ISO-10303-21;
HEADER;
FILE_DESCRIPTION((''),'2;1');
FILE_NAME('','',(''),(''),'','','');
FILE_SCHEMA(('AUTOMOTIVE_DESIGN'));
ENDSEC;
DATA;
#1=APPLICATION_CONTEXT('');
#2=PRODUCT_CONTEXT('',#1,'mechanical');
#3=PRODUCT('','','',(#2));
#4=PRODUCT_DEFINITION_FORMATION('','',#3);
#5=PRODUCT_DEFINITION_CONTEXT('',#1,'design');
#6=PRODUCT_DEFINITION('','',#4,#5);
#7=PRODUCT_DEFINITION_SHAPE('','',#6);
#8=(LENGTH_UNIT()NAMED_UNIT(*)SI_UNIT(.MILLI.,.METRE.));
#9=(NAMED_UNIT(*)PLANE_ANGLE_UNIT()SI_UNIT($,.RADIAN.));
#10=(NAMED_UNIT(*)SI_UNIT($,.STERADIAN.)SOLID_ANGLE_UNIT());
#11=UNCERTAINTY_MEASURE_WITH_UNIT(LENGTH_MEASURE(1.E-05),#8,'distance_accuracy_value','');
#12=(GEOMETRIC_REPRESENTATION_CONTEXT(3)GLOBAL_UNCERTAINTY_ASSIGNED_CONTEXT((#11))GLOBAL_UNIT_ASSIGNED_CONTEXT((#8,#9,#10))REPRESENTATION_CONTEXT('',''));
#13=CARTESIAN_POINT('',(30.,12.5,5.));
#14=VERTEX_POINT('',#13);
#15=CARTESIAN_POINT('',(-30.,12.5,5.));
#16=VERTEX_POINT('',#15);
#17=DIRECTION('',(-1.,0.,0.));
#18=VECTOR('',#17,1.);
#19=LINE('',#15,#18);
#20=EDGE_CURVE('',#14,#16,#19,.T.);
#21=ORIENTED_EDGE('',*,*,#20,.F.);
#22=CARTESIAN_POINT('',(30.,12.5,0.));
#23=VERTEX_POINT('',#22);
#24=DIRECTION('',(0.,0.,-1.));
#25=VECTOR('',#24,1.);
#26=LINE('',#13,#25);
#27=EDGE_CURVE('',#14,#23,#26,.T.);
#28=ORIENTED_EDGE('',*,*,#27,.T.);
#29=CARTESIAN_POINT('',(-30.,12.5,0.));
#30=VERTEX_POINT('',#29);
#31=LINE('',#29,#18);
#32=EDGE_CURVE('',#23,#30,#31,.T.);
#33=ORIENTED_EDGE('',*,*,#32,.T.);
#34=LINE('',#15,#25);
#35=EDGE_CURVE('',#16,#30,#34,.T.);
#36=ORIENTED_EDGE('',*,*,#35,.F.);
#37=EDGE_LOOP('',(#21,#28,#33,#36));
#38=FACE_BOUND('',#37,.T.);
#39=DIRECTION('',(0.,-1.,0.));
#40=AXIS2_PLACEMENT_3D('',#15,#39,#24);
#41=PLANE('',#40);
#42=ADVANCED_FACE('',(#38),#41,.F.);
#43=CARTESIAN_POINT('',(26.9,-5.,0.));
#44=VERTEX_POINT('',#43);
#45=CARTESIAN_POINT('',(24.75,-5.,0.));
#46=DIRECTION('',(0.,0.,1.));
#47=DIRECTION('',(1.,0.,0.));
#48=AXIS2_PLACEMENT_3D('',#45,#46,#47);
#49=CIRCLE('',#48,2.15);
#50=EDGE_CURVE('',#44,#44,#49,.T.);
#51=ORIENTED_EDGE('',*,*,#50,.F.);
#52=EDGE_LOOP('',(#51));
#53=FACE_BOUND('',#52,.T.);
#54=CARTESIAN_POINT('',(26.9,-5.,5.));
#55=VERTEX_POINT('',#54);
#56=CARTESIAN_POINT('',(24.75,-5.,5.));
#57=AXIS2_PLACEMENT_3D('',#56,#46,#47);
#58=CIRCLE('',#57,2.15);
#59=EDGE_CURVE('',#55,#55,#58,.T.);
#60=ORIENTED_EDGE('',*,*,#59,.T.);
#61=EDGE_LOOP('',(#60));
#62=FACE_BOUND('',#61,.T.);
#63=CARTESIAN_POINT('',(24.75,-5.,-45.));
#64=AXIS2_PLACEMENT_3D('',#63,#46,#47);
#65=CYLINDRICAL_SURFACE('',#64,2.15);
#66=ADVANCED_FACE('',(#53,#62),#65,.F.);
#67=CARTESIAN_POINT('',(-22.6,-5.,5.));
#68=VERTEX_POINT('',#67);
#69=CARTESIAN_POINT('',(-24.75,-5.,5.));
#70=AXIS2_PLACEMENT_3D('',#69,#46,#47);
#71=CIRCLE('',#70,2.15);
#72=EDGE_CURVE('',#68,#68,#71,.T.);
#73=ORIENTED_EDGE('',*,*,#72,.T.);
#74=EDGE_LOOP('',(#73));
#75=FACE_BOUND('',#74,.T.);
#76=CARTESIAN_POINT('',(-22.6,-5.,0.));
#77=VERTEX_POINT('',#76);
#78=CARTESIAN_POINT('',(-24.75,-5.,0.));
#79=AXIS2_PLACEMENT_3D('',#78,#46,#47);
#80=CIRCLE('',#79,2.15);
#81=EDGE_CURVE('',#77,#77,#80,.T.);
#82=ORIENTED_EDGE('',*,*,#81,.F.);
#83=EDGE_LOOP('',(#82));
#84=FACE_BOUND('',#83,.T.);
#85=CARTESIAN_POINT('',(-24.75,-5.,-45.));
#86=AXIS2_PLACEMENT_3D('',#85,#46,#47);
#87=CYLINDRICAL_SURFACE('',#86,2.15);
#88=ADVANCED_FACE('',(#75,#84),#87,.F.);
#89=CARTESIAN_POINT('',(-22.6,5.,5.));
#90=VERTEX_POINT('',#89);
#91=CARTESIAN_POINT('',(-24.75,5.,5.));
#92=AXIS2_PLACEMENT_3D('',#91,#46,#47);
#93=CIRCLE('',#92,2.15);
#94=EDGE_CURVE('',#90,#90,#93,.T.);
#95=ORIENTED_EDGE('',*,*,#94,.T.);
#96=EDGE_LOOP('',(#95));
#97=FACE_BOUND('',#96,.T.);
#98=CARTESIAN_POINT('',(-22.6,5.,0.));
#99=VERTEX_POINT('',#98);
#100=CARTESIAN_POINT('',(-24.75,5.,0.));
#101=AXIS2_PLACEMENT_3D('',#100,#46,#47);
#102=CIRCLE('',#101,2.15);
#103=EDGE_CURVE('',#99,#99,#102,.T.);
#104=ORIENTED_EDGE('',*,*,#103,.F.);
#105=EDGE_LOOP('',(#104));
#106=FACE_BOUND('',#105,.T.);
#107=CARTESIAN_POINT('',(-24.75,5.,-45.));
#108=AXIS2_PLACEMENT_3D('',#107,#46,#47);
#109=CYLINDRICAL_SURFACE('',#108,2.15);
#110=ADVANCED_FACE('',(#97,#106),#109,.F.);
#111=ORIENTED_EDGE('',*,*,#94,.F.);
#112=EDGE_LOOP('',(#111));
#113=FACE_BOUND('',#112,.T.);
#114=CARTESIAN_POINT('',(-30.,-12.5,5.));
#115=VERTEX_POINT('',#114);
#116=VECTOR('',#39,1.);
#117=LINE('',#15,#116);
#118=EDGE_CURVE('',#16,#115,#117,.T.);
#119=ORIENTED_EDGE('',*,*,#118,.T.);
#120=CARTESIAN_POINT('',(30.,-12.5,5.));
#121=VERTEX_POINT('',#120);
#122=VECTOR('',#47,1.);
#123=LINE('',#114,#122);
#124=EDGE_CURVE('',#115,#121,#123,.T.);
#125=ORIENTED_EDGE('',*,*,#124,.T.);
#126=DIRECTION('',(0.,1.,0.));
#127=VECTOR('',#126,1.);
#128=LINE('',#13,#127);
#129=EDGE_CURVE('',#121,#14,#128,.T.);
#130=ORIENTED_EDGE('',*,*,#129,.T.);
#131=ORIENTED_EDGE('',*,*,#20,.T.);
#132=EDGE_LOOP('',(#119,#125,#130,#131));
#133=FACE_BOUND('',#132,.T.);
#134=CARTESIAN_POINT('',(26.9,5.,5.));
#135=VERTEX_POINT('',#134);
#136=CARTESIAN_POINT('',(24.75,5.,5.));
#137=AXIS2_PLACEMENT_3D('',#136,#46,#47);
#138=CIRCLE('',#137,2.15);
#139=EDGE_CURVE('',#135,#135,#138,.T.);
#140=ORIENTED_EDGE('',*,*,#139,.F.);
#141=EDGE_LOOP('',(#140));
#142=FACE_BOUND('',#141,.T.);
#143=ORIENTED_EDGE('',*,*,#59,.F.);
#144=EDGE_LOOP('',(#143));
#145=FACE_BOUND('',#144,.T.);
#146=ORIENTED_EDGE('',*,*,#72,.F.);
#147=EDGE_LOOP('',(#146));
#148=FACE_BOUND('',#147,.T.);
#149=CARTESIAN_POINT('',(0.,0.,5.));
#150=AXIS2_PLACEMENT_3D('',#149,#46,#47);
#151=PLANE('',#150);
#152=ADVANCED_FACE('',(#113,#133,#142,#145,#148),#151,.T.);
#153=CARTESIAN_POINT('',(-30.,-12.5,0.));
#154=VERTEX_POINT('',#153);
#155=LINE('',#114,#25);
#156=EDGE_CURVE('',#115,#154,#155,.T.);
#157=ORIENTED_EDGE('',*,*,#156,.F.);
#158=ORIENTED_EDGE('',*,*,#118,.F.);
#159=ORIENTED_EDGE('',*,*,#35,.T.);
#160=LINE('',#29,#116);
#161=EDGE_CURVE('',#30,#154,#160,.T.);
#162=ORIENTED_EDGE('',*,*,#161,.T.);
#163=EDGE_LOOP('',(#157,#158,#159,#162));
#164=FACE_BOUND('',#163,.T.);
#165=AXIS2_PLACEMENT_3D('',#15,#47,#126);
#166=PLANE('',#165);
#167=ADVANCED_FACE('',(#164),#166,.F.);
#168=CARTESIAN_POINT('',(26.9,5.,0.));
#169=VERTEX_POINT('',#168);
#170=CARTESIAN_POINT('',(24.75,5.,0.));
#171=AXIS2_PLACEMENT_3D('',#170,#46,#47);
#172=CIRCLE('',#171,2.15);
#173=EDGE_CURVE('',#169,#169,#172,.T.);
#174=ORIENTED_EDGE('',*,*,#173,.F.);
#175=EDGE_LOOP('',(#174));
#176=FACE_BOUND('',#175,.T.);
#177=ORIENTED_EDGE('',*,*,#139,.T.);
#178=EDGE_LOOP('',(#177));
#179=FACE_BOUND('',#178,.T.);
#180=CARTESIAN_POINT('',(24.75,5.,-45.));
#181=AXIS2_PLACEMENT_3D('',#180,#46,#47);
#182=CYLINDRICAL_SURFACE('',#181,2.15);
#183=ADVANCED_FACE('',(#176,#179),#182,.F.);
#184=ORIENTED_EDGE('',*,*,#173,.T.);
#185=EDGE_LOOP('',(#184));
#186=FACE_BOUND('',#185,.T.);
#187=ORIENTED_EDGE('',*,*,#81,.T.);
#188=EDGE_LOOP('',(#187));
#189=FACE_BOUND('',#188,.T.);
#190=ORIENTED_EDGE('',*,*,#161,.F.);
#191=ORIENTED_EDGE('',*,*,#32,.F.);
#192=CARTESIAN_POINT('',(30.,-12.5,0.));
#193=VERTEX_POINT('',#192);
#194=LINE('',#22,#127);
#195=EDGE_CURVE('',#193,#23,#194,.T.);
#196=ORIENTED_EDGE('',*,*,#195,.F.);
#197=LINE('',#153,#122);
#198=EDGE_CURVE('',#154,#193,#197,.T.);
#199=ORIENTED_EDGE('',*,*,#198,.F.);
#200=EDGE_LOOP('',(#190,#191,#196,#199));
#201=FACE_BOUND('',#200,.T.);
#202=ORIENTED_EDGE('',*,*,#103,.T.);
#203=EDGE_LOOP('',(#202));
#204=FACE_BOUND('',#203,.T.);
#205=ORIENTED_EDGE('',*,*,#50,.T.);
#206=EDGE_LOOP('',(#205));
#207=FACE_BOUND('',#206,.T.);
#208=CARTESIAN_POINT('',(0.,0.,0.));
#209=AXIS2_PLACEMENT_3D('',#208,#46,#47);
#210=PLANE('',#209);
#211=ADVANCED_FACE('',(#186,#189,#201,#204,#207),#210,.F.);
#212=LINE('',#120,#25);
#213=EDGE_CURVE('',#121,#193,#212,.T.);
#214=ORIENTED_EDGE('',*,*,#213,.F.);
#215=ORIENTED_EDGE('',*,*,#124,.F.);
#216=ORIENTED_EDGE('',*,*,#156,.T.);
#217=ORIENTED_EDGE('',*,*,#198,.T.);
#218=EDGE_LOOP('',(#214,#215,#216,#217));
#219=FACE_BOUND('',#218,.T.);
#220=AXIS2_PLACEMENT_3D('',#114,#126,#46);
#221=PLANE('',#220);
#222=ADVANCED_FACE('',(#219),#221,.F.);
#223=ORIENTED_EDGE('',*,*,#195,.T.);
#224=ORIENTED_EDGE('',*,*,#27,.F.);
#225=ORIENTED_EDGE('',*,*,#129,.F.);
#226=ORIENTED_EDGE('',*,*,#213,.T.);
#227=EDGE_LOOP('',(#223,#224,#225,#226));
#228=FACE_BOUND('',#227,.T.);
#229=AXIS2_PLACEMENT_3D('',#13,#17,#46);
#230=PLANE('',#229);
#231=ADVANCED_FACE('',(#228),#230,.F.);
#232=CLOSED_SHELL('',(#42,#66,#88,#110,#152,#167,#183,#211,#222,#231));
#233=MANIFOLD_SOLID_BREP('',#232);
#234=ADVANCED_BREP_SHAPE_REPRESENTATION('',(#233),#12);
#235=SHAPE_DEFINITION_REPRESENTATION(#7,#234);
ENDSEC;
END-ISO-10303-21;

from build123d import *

# Parameters (mm, degrees)
SKETCH_1_W          = 60
SKETCH_1_H          = 25
EXTRUDE_1_DEPTH     = 5
SKETCH_2_R          = 2.15
CUT_EXTRUDE_1_DEPTH = 50


with BuildPart() as part:
    # 草图1 → 凸台-拉伸1 (new body)
    with BuildSketch(Plane.XY):
        Rectangle(SKETCH_1_W, SKETCH_1_H)
    extrude(amount=EXTRUDE_1_DEPTH)

    # 草图2 → 切除-拉伸1 (cut)
    with BuildSketch(Plane.XY.offset(5)):
        with Locations((-24.75, 5)):
            Circle(SKETCH_2_R)
        with Locations((-24.75, -5)):
            Circle(SKETCH_2_R)
        with Locations((24.75, 5)):
            Circle(SKETCH_2_R)
        with Locations((24.75, -5)):
            Circle(SKETCH_2_R)
    extrude(amount=-CUT_EXTRUDE_1_DEPTH, mode=Mode.SUBTRACT)


solid = part.part
